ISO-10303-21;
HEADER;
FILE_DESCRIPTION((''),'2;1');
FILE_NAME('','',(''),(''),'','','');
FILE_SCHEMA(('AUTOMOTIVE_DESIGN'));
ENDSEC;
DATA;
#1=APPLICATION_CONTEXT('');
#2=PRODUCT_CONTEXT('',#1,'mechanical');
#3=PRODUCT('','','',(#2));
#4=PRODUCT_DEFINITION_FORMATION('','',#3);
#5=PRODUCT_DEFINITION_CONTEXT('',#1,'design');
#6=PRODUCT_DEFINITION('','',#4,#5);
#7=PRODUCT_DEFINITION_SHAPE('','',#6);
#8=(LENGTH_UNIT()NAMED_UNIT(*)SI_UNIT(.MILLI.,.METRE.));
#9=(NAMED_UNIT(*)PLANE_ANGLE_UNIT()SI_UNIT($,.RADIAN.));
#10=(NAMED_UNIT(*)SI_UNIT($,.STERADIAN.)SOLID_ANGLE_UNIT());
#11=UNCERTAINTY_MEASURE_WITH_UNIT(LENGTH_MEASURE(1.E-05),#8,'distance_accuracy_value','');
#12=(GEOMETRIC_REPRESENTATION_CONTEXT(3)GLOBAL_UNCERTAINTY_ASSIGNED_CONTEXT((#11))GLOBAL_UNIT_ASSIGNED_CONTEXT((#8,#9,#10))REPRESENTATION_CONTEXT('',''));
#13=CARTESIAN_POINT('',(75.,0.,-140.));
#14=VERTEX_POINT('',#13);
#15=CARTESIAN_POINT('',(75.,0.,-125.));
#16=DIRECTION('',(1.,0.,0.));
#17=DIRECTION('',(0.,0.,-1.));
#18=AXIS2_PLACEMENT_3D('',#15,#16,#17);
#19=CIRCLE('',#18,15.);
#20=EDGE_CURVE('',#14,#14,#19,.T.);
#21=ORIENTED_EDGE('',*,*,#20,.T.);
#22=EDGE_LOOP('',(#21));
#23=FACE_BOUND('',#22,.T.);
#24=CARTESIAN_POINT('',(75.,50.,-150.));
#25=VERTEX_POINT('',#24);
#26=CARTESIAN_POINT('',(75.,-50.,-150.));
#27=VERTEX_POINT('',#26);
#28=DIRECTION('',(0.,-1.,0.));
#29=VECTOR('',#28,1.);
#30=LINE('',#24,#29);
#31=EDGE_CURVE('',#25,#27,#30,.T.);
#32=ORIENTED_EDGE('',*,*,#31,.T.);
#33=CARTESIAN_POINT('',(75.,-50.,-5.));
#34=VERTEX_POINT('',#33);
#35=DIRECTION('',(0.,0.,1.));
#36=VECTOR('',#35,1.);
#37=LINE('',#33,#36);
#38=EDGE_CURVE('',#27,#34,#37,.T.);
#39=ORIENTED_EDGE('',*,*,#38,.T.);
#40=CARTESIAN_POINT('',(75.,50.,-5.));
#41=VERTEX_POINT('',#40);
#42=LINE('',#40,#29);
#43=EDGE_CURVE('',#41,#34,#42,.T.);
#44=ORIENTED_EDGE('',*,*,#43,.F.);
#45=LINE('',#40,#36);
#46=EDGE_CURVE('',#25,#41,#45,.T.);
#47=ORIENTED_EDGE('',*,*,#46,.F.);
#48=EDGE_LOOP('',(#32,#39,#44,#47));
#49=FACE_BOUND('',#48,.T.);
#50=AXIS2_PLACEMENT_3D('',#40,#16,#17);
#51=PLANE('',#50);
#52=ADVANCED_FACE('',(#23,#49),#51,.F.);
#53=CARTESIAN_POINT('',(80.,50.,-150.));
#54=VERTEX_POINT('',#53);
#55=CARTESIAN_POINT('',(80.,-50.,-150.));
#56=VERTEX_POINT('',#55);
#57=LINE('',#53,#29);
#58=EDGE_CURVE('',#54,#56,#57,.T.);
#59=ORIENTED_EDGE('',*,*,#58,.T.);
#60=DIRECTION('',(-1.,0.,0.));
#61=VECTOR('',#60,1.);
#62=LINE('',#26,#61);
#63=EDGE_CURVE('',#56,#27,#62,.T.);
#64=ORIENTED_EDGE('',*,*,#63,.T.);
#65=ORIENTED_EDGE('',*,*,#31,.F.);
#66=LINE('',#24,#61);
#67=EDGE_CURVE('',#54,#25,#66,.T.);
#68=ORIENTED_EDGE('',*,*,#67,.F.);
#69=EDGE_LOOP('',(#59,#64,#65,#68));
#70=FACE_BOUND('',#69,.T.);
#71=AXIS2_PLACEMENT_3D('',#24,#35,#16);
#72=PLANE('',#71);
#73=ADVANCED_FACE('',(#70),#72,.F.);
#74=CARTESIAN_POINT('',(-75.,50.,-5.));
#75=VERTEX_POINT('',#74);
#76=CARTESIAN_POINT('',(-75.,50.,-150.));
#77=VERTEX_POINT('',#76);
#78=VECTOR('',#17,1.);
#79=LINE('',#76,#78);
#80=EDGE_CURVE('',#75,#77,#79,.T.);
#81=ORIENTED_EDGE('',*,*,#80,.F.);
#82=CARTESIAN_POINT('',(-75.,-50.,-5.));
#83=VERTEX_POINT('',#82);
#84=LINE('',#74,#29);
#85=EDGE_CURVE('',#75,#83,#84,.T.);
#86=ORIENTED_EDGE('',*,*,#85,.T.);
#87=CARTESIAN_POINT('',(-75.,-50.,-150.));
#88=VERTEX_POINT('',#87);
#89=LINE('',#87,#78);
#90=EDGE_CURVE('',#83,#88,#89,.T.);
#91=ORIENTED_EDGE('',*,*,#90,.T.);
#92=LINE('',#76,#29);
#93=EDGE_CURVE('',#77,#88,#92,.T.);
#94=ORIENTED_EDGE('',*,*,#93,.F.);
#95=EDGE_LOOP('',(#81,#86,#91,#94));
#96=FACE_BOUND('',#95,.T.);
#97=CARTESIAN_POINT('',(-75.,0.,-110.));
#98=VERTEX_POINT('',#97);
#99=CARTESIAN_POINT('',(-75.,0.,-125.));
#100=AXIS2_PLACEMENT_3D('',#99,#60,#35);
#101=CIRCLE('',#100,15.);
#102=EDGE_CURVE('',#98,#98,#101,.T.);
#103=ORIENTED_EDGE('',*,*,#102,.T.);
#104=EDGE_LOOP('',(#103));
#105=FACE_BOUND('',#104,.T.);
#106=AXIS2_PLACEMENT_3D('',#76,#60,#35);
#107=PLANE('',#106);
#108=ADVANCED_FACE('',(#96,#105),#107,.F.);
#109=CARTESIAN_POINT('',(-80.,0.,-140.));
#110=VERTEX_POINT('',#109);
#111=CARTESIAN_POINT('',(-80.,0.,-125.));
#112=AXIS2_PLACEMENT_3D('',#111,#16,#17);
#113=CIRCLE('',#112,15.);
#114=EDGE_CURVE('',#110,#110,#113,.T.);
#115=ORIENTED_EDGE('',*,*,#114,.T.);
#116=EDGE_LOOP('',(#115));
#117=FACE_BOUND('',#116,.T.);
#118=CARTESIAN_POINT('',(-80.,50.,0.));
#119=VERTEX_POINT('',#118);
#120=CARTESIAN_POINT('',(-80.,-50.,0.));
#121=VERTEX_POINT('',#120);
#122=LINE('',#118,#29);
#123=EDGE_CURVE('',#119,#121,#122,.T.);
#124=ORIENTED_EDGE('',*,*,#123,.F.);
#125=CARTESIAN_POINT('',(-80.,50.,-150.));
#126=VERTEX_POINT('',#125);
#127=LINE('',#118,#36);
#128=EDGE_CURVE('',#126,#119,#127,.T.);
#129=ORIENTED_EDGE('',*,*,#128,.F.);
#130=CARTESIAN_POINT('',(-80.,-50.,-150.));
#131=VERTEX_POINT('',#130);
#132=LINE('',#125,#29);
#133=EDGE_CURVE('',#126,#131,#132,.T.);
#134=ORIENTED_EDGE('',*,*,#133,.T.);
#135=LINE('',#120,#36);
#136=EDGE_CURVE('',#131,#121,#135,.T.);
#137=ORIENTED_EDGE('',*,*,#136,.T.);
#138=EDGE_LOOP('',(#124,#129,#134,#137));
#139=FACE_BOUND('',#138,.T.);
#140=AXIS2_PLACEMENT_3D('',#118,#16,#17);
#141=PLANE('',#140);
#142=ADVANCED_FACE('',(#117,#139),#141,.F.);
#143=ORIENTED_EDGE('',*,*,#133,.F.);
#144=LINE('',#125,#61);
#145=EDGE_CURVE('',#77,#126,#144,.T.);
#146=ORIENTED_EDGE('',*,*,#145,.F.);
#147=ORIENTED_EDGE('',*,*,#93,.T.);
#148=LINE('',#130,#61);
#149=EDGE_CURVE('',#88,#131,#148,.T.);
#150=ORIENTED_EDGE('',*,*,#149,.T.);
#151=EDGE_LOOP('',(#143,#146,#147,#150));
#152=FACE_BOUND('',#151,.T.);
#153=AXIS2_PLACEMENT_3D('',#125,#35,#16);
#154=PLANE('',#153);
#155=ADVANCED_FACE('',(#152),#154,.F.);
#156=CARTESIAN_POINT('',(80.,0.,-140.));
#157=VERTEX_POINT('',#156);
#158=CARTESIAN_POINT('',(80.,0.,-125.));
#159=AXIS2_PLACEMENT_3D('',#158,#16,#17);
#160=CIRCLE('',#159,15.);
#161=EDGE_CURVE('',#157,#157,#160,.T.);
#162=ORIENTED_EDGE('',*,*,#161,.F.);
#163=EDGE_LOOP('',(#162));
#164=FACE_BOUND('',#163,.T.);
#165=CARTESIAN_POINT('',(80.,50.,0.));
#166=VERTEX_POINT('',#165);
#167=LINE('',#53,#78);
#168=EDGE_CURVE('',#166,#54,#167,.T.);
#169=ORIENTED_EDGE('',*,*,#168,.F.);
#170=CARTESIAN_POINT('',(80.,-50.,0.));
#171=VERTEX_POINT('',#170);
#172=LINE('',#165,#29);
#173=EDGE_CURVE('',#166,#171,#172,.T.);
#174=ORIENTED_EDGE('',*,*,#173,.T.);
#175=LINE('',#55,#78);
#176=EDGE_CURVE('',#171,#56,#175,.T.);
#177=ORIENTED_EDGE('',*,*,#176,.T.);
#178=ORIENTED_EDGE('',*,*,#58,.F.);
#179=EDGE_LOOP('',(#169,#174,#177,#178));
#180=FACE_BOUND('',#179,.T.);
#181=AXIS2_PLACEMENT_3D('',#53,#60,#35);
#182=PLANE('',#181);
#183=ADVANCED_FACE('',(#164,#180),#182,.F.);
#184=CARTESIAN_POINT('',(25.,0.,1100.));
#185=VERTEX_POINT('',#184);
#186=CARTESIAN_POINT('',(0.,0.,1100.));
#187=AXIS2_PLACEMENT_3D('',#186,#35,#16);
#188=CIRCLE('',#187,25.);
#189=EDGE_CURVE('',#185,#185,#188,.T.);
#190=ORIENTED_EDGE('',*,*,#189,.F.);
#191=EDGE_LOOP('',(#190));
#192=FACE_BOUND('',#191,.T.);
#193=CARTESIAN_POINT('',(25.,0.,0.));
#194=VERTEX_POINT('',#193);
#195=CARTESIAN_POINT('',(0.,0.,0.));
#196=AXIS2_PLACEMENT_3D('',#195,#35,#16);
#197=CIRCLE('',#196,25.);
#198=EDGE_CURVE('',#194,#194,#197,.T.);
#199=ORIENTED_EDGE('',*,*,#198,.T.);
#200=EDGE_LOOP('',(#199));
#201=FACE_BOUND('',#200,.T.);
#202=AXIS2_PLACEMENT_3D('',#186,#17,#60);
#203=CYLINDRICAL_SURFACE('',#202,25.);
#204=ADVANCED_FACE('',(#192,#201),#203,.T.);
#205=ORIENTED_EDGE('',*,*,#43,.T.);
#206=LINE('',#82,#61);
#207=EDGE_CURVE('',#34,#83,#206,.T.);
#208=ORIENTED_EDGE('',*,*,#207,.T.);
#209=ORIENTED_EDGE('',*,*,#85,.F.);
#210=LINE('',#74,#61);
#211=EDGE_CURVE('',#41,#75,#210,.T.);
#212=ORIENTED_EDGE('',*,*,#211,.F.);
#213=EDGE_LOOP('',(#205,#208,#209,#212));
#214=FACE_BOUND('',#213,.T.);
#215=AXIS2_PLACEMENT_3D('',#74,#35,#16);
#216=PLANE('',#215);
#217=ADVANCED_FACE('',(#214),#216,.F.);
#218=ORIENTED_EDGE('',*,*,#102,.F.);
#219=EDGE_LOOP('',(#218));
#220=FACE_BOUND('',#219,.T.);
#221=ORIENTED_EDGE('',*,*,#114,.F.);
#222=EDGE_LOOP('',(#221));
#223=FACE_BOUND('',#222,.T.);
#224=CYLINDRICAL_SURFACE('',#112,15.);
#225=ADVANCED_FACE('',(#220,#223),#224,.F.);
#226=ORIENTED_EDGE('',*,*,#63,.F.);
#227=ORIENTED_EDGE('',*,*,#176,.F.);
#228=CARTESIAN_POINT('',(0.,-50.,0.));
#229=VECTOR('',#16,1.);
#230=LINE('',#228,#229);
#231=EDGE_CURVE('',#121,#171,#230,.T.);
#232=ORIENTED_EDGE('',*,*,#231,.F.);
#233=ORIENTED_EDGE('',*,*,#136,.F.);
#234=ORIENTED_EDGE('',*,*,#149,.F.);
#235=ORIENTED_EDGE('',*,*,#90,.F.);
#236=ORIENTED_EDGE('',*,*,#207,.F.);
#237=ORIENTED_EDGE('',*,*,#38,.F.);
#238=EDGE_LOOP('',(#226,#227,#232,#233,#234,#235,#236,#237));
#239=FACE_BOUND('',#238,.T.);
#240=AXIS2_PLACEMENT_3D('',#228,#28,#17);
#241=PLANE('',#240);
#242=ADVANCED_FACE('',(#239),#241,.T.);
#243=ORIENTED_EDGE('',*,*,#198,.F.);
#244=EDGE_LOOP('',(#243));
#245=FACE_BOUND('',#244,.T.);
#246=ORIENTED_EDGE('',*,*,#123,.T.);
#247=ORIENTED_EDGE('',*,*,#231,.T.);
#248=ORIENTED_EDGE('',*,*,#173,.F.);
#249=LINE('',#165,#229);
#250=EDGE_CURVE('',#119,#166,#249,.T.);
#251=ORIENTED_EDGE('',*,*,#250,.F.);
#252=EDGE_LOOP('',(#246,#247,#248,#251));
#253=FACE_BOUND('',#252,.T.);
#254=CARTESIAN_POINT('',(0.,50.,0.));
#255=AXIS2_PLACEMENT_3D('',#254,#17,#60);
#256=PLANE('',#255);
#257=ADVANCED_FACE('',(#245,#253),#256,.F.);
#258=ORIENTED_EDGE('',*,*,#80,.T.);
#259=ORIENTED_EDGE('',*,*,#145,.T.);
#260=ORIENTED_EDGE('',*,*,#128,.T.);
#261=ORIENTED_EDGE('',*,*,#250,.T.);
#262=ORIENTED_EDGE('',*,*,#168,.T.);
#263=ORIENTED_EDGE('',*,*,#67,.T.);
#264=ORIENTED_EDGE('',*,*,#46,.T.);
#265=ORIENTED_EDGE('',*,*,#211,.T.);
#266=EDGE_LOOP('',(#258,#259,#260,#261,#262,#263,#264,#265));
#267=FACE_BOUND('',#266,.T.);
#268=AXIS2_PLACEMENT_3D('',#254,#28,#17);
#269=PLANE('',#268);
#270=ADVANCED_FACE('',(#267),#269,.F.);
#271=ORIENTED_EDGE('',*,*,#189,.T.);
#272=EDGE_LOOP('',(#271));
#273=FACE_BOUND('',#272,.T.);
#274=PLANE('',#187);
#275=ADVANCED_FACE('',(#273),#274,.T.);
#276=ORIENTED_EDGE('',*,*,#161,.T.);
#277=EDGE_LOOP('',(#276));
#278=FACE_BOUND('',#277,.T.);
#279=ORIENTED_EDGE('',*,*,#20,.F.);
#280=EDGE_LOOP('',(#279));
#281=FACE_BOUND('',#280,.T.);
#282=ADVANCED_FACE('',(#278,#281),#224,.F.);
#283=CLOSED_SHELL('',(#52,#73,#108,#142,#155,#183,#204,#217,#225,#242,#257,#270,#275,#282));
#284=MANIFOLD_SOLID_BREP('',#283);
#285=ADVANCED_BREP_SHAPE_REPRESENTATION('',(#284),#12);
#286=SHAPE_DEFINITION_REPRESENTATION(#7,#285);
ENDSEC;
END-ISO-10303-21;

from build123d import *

# Parameters (mm, degrees)
BOSS_EXTRUDE1_DEPTH = 50
SKETCH2_R           = 25
BOSS_EXTRUDE2_DEPTH = 1100
SKETCH3_R           = 15
CUT_EXTRUDE1_DEPTH  = 161


with BuildPart() as part:
    # Sketch1 → Boss-Extrude1 (new body, symmetric)
    with BuildSketch(Plane(origin=(0, 0, 0), x_dir=(1, 0, 0), z_dir=(0, 1, 0))):
        Polygon((0, 0), (-80, 0), (-80, 150), (-75, 150), (-75, 5), (75, 5), (75, 150), (80, 150), (80, 0), align=None)
    extrude(amount=BOSS_EXTRUDE1_DEPTH, both=True)

    # Sketch2 → Boss-Extrude2 (add)
    with BuildSketch(Plane.XY):
        Circle(SKETCH2_R)
    extrude(amount=BOSS_EXTRUDE2_DEPTH)

    # Sketch3 → Cut-Extrude1 (cut, through all)
    with BuildSketch(Plane(origin=(80, 0, 0), x_dir=(0, 0, -1), z_dir=(1, 0, 0))):
        with Locations((125, 0)):
            Circle(SKETCH3_R)
    extrude(amount=-CUT_EXTRUDE1_DEPTH, mode=Mode.SUBTRACT)


solid = part.part
